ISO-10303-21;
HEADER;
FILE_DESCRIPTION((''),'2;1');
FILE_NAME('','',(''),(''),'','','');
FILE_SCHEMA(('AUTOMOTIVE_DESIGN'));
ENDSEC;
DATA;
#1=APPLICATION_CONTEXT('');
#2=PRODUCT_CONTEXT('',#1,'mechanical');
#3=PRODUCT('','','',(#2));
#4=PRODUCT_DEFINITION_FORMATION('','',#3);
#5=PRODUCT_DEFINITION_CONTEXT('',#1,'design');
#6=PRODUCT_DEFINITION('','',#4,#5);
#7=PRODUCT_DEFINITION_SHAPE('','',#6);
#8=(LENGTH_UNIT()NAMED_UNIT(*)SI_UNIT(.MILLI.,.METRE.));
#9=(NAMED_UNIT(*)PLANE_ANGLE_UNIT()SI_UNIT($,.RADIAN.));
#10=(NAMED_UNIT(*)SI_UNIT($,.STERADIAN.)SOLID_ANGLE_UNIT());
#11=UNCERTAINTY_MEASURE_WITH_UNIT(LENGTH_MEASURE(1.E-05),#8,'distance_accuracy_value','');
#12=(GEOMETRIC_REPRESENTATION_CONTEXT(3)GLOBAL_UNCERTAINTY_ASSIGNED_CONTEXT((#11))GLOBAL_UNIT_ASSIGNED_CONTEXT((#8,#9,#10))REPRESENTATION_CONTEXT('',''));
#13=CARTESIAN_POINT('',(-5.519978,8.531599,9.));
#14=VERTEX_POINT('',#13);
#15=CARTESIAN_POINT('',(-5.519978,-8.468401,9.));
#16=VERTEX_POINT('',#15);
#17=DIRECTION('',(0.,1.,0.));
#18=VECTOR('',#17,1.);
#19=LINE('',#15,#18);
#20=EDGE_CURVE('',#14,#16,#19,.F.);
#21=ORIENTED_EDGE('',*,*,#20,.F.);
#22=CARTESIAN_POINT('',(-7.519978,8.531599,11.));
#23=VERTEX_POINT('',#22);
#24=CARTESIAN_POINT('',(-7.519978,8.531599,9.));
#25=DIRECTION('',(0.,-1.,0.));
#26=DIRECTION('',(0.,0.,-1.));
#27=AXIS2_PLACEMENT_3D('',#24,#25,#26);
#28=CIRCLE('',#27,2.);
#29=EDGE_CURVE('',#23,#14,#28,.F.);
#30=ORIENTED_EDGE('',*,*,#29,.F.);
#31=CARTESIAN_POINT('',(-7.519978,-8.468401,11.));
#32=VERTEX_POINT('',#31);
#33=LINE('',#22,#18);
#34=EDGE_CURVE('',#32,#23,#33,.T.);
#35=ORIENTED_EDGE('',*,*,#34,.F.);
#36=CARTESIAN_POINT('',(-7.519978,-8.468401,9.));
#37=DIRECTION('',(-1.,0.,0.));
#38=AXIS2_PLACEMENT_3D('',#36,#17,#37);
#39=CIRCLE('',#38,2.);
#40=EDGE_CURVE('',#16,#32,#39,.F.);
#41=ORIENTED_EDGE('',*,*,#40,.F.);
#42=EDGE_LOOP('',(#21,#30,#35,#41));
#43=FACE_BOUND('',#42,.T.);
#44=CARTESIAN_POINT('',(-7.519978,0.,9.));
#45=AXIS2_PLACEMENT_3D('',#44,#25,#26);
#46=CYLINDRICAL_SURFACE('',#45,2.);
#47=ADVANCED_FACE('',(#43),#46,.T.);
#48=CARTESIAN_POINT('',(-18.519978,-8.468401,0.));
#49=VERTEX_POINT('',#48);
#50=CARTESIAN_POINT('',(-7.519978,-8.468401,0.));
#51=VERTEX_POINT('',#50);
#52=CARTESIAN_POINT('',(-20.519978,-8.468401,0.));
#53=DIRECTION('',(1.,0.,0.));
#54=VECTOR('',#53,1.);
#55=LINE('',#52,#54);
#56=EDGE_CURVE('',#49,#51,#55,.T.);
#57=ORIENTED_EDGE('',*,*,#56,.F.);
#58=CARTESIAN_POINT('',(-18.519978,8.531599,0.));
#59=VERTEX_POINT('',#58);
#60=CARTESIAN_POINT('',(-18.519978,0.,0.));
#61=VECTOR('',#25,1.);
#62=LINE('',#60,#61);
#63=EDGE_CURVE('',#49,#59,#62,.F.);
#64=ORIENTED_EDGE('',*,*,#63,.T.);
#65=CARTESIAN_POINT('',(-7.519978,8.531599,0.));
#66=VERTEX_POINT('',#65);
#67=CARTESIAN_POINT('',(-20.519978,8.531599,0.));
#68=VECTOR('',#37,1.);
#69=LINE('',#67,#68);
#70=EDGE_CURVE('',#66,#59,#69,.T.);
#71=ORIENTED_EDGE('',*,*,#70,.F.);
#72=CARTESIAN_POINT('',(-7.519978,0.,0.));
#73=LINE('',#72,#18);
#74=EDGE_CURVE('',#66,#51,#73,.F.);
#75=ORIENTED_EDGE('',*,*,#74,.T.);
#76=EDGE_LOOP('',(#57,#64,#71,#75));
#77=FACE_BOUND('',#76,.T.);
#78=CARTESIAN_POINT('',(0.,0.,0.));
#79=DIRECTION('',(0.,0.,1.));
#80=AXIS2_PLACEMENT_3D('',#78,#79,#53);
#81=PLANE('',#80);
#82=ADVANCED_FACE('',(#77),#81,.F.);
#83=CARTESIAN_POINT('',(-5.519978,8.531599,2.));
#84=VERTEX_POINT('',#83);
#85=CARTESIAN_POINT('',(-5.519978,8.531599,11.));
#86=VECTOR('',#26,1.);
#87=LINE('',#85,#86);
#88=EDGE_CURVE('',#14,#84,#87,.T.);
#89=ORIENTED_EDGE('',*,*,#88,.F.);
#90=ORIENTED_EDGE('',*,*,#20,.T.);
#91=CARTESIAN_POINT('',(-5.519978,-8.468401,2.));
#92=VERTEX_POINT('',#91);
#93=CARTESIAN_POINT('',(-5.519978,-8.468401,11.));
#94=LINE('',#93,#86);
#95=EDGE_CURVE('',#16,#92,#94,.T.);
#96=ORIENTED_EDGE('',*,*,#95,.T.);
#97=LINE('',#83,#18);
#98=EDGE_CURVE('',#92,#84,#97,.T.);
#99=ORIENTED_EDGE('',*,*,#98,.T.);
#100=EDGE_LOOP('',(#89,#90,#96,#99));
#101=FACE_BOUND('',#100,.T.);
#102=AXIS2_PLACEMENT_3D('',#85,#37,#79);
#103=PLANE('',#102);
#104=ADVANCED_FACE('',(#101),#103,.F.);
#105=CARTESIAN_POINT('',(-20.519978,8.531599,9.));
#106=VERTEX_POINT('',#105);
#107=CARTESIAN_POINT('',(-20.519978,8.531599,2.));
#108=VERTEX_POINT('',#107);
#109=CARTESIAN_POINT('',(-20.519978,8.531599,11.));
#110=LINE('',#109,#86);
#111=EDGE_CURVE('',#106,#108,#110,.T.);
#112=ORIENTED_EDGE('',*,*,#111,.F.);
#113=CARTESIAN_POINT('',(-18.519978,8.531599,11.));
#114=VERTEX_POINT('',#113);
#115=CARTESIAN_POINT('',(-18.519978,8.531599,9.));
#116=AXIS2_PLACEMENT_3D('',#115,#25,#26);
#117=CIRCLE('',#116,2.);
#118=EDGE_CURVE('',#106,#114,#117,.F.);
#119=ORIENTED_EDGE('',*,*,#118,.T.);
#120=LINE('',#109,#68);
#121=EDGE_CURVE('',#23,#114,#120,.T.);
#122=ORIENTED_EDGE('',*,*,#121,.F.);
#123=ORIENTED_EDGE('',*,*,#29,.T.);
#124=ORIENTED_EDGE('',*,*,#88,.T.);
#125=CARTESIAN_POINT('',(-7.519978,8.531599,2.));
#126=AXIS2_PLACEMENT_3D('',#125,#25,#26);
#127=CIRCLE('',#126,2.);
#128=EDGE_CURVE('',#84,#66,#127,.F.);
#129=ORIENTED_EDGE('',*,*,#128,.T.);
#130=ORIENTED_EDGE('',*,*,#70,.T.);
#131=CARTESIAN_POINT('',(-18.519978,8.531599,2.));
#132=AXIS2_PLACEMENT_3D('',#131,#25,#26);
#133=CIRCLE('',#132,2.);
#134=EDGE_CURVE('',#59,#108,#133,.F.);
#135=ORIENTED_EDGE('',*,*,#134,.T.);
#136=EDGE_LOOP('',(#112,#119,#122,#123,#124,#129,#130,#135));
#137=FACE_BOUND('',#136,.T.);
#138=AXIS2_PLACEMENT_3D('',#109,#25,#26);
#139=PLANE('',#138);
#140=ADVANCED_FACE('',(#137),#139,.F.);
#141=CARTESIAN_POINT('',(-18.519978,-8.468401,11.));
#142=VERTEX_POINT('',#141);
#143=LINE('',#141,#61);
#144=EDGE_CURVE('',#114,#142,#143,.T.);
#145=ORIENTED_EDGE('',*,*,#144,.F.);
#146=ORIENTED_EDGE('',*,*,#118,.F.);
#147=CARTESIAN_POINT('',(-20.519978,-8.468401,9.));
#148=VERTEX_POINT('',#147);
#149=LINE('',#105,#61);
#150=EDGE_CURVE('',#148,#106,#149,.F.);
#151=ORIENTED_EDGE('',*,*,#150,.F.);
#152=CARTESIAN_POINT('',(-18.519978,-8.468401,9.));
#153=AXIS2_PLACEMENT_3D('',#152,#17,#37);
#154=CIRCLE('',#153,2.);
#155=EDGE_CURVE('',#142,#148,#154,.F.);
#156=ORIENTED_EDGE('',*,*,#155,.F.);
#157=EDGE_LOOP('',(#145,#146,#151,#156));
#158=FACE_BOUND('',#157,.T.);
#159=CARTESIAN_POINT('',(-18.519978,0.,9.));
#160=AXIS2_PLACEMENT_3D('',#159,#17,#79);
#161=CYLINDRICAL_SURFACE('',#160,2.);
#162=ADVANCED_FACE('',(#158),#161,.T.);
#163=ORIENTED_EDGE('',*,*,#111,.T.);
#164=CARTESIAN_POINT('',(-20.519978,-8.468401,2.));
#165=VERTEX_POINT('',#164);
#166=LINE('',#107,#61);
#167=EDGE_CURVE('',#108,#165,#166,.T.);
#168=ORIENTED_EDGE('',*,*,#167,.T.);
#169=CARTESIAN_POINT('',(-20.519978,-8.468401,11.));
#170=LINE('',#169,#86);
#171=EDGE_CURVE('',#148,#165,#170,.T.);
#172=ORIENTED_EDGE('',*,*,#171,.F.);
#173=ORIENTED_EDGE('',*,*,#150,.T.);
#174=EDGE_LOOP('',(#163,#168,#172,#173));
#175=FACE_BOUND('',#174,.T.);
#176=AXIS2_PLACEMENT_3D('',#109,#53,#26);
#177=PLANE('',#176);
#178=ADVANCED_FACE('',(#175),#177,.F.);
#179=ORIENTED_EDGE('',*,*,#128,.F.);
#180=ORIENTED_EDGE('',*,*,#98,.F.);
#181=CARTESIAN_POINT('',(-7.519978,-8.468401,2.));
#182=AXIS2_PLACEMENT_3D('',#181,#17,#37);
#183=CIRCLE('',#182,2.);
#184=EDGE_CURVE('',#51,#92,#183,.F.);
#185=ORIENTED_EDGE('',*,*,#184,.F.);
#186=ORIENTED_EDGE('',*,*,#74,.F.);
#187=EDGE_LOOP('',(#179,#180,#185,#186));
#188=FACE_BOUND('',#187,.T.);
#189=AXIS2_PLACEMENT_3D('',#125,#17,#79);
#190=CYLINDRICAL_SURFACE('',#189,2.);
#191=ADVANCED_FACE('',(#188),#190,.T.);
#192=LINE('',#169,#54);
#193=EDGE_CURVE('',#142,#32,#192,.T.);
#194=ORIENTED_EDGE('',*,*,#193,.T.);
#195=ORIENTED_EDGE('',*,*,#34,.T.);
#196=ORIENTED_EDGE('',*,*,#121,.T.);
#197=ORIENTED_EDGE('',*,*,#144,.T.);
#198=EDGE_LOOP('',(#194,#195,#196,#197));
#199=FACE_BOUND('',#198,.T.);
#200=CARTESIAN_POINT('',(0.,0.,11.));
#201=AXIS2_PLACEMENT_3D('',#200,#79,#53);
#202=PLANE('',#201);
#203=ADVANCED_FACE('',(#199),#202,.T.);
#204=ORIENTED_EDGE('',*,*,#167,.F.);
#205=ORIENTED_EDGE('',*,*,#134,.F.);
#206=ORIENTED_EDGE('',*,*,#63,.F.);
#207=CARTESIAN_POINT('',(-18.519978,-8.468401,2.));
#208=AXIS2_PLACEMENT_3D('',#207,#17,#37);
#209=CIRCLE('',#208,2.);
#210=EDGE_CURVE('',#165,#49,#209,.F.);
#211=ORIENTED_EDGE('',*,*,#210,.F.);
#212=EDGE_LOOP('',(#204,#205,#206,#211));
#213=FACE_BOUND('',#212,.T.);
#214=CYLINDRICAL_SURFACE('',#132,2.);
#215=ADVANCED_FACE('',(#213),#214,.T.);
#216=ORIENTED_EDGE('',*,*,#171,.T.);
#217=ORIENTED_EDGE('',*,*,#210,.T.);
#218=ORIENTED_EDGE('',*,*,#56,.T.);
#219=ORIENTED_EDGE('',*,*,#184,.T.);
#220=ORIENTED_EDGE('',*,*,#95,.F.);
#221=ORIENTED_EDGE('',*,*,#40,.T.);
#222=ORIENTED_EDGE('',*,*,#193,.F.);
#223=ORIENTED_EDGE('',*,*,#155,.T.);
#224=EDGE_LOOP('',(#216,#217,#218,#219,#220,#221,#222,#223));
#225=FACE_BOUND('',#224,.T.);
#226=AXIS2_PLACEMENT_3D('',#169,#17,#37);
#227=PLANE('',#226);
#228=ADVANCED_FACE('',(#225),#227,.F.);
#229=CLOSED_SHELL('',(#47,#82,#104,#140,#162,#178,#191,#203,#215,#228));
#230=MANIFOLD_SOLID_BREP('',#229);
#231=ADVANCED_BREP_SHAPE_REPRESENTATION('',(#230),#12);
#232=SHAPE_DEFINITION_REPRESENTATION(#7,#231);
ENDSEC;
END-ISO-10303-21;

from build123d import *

# Parameters (mm, degrees)
CROQUIS1_W              = 15
CROQUIS1_H              = 17
SALIENTE_EXTRUIR1_DEPTH = 11
REDONDEO1_R             = 2


with BuildPart() as part:
    # Croquis1 → Saliente-Extruir1 (new body)
    with BuildSketch(Plane.XY):
        with Locations((-13.019978389, 0.031598513)):
            Rectangle(CROQUIS1_W, CROQUIS1_H)
    extrude(amount=SALIENTE_EXTRUIR1_DEPTH)

    # Redondeo1
    redondeo1_edges = [part.edges().sort_by_distance(p)[0] for p in [
        (-5.519978389, 0.031598513, 11),
        (-20.519978389, 0.031598513, 11),
        (-5.519978389, 0.031598513, 0),
        (-20.519978389, 0.031598513, 0),
    ]]
    fillet(redondeo1_edges, radius=REDONDEO1_R)


solid = part.part
